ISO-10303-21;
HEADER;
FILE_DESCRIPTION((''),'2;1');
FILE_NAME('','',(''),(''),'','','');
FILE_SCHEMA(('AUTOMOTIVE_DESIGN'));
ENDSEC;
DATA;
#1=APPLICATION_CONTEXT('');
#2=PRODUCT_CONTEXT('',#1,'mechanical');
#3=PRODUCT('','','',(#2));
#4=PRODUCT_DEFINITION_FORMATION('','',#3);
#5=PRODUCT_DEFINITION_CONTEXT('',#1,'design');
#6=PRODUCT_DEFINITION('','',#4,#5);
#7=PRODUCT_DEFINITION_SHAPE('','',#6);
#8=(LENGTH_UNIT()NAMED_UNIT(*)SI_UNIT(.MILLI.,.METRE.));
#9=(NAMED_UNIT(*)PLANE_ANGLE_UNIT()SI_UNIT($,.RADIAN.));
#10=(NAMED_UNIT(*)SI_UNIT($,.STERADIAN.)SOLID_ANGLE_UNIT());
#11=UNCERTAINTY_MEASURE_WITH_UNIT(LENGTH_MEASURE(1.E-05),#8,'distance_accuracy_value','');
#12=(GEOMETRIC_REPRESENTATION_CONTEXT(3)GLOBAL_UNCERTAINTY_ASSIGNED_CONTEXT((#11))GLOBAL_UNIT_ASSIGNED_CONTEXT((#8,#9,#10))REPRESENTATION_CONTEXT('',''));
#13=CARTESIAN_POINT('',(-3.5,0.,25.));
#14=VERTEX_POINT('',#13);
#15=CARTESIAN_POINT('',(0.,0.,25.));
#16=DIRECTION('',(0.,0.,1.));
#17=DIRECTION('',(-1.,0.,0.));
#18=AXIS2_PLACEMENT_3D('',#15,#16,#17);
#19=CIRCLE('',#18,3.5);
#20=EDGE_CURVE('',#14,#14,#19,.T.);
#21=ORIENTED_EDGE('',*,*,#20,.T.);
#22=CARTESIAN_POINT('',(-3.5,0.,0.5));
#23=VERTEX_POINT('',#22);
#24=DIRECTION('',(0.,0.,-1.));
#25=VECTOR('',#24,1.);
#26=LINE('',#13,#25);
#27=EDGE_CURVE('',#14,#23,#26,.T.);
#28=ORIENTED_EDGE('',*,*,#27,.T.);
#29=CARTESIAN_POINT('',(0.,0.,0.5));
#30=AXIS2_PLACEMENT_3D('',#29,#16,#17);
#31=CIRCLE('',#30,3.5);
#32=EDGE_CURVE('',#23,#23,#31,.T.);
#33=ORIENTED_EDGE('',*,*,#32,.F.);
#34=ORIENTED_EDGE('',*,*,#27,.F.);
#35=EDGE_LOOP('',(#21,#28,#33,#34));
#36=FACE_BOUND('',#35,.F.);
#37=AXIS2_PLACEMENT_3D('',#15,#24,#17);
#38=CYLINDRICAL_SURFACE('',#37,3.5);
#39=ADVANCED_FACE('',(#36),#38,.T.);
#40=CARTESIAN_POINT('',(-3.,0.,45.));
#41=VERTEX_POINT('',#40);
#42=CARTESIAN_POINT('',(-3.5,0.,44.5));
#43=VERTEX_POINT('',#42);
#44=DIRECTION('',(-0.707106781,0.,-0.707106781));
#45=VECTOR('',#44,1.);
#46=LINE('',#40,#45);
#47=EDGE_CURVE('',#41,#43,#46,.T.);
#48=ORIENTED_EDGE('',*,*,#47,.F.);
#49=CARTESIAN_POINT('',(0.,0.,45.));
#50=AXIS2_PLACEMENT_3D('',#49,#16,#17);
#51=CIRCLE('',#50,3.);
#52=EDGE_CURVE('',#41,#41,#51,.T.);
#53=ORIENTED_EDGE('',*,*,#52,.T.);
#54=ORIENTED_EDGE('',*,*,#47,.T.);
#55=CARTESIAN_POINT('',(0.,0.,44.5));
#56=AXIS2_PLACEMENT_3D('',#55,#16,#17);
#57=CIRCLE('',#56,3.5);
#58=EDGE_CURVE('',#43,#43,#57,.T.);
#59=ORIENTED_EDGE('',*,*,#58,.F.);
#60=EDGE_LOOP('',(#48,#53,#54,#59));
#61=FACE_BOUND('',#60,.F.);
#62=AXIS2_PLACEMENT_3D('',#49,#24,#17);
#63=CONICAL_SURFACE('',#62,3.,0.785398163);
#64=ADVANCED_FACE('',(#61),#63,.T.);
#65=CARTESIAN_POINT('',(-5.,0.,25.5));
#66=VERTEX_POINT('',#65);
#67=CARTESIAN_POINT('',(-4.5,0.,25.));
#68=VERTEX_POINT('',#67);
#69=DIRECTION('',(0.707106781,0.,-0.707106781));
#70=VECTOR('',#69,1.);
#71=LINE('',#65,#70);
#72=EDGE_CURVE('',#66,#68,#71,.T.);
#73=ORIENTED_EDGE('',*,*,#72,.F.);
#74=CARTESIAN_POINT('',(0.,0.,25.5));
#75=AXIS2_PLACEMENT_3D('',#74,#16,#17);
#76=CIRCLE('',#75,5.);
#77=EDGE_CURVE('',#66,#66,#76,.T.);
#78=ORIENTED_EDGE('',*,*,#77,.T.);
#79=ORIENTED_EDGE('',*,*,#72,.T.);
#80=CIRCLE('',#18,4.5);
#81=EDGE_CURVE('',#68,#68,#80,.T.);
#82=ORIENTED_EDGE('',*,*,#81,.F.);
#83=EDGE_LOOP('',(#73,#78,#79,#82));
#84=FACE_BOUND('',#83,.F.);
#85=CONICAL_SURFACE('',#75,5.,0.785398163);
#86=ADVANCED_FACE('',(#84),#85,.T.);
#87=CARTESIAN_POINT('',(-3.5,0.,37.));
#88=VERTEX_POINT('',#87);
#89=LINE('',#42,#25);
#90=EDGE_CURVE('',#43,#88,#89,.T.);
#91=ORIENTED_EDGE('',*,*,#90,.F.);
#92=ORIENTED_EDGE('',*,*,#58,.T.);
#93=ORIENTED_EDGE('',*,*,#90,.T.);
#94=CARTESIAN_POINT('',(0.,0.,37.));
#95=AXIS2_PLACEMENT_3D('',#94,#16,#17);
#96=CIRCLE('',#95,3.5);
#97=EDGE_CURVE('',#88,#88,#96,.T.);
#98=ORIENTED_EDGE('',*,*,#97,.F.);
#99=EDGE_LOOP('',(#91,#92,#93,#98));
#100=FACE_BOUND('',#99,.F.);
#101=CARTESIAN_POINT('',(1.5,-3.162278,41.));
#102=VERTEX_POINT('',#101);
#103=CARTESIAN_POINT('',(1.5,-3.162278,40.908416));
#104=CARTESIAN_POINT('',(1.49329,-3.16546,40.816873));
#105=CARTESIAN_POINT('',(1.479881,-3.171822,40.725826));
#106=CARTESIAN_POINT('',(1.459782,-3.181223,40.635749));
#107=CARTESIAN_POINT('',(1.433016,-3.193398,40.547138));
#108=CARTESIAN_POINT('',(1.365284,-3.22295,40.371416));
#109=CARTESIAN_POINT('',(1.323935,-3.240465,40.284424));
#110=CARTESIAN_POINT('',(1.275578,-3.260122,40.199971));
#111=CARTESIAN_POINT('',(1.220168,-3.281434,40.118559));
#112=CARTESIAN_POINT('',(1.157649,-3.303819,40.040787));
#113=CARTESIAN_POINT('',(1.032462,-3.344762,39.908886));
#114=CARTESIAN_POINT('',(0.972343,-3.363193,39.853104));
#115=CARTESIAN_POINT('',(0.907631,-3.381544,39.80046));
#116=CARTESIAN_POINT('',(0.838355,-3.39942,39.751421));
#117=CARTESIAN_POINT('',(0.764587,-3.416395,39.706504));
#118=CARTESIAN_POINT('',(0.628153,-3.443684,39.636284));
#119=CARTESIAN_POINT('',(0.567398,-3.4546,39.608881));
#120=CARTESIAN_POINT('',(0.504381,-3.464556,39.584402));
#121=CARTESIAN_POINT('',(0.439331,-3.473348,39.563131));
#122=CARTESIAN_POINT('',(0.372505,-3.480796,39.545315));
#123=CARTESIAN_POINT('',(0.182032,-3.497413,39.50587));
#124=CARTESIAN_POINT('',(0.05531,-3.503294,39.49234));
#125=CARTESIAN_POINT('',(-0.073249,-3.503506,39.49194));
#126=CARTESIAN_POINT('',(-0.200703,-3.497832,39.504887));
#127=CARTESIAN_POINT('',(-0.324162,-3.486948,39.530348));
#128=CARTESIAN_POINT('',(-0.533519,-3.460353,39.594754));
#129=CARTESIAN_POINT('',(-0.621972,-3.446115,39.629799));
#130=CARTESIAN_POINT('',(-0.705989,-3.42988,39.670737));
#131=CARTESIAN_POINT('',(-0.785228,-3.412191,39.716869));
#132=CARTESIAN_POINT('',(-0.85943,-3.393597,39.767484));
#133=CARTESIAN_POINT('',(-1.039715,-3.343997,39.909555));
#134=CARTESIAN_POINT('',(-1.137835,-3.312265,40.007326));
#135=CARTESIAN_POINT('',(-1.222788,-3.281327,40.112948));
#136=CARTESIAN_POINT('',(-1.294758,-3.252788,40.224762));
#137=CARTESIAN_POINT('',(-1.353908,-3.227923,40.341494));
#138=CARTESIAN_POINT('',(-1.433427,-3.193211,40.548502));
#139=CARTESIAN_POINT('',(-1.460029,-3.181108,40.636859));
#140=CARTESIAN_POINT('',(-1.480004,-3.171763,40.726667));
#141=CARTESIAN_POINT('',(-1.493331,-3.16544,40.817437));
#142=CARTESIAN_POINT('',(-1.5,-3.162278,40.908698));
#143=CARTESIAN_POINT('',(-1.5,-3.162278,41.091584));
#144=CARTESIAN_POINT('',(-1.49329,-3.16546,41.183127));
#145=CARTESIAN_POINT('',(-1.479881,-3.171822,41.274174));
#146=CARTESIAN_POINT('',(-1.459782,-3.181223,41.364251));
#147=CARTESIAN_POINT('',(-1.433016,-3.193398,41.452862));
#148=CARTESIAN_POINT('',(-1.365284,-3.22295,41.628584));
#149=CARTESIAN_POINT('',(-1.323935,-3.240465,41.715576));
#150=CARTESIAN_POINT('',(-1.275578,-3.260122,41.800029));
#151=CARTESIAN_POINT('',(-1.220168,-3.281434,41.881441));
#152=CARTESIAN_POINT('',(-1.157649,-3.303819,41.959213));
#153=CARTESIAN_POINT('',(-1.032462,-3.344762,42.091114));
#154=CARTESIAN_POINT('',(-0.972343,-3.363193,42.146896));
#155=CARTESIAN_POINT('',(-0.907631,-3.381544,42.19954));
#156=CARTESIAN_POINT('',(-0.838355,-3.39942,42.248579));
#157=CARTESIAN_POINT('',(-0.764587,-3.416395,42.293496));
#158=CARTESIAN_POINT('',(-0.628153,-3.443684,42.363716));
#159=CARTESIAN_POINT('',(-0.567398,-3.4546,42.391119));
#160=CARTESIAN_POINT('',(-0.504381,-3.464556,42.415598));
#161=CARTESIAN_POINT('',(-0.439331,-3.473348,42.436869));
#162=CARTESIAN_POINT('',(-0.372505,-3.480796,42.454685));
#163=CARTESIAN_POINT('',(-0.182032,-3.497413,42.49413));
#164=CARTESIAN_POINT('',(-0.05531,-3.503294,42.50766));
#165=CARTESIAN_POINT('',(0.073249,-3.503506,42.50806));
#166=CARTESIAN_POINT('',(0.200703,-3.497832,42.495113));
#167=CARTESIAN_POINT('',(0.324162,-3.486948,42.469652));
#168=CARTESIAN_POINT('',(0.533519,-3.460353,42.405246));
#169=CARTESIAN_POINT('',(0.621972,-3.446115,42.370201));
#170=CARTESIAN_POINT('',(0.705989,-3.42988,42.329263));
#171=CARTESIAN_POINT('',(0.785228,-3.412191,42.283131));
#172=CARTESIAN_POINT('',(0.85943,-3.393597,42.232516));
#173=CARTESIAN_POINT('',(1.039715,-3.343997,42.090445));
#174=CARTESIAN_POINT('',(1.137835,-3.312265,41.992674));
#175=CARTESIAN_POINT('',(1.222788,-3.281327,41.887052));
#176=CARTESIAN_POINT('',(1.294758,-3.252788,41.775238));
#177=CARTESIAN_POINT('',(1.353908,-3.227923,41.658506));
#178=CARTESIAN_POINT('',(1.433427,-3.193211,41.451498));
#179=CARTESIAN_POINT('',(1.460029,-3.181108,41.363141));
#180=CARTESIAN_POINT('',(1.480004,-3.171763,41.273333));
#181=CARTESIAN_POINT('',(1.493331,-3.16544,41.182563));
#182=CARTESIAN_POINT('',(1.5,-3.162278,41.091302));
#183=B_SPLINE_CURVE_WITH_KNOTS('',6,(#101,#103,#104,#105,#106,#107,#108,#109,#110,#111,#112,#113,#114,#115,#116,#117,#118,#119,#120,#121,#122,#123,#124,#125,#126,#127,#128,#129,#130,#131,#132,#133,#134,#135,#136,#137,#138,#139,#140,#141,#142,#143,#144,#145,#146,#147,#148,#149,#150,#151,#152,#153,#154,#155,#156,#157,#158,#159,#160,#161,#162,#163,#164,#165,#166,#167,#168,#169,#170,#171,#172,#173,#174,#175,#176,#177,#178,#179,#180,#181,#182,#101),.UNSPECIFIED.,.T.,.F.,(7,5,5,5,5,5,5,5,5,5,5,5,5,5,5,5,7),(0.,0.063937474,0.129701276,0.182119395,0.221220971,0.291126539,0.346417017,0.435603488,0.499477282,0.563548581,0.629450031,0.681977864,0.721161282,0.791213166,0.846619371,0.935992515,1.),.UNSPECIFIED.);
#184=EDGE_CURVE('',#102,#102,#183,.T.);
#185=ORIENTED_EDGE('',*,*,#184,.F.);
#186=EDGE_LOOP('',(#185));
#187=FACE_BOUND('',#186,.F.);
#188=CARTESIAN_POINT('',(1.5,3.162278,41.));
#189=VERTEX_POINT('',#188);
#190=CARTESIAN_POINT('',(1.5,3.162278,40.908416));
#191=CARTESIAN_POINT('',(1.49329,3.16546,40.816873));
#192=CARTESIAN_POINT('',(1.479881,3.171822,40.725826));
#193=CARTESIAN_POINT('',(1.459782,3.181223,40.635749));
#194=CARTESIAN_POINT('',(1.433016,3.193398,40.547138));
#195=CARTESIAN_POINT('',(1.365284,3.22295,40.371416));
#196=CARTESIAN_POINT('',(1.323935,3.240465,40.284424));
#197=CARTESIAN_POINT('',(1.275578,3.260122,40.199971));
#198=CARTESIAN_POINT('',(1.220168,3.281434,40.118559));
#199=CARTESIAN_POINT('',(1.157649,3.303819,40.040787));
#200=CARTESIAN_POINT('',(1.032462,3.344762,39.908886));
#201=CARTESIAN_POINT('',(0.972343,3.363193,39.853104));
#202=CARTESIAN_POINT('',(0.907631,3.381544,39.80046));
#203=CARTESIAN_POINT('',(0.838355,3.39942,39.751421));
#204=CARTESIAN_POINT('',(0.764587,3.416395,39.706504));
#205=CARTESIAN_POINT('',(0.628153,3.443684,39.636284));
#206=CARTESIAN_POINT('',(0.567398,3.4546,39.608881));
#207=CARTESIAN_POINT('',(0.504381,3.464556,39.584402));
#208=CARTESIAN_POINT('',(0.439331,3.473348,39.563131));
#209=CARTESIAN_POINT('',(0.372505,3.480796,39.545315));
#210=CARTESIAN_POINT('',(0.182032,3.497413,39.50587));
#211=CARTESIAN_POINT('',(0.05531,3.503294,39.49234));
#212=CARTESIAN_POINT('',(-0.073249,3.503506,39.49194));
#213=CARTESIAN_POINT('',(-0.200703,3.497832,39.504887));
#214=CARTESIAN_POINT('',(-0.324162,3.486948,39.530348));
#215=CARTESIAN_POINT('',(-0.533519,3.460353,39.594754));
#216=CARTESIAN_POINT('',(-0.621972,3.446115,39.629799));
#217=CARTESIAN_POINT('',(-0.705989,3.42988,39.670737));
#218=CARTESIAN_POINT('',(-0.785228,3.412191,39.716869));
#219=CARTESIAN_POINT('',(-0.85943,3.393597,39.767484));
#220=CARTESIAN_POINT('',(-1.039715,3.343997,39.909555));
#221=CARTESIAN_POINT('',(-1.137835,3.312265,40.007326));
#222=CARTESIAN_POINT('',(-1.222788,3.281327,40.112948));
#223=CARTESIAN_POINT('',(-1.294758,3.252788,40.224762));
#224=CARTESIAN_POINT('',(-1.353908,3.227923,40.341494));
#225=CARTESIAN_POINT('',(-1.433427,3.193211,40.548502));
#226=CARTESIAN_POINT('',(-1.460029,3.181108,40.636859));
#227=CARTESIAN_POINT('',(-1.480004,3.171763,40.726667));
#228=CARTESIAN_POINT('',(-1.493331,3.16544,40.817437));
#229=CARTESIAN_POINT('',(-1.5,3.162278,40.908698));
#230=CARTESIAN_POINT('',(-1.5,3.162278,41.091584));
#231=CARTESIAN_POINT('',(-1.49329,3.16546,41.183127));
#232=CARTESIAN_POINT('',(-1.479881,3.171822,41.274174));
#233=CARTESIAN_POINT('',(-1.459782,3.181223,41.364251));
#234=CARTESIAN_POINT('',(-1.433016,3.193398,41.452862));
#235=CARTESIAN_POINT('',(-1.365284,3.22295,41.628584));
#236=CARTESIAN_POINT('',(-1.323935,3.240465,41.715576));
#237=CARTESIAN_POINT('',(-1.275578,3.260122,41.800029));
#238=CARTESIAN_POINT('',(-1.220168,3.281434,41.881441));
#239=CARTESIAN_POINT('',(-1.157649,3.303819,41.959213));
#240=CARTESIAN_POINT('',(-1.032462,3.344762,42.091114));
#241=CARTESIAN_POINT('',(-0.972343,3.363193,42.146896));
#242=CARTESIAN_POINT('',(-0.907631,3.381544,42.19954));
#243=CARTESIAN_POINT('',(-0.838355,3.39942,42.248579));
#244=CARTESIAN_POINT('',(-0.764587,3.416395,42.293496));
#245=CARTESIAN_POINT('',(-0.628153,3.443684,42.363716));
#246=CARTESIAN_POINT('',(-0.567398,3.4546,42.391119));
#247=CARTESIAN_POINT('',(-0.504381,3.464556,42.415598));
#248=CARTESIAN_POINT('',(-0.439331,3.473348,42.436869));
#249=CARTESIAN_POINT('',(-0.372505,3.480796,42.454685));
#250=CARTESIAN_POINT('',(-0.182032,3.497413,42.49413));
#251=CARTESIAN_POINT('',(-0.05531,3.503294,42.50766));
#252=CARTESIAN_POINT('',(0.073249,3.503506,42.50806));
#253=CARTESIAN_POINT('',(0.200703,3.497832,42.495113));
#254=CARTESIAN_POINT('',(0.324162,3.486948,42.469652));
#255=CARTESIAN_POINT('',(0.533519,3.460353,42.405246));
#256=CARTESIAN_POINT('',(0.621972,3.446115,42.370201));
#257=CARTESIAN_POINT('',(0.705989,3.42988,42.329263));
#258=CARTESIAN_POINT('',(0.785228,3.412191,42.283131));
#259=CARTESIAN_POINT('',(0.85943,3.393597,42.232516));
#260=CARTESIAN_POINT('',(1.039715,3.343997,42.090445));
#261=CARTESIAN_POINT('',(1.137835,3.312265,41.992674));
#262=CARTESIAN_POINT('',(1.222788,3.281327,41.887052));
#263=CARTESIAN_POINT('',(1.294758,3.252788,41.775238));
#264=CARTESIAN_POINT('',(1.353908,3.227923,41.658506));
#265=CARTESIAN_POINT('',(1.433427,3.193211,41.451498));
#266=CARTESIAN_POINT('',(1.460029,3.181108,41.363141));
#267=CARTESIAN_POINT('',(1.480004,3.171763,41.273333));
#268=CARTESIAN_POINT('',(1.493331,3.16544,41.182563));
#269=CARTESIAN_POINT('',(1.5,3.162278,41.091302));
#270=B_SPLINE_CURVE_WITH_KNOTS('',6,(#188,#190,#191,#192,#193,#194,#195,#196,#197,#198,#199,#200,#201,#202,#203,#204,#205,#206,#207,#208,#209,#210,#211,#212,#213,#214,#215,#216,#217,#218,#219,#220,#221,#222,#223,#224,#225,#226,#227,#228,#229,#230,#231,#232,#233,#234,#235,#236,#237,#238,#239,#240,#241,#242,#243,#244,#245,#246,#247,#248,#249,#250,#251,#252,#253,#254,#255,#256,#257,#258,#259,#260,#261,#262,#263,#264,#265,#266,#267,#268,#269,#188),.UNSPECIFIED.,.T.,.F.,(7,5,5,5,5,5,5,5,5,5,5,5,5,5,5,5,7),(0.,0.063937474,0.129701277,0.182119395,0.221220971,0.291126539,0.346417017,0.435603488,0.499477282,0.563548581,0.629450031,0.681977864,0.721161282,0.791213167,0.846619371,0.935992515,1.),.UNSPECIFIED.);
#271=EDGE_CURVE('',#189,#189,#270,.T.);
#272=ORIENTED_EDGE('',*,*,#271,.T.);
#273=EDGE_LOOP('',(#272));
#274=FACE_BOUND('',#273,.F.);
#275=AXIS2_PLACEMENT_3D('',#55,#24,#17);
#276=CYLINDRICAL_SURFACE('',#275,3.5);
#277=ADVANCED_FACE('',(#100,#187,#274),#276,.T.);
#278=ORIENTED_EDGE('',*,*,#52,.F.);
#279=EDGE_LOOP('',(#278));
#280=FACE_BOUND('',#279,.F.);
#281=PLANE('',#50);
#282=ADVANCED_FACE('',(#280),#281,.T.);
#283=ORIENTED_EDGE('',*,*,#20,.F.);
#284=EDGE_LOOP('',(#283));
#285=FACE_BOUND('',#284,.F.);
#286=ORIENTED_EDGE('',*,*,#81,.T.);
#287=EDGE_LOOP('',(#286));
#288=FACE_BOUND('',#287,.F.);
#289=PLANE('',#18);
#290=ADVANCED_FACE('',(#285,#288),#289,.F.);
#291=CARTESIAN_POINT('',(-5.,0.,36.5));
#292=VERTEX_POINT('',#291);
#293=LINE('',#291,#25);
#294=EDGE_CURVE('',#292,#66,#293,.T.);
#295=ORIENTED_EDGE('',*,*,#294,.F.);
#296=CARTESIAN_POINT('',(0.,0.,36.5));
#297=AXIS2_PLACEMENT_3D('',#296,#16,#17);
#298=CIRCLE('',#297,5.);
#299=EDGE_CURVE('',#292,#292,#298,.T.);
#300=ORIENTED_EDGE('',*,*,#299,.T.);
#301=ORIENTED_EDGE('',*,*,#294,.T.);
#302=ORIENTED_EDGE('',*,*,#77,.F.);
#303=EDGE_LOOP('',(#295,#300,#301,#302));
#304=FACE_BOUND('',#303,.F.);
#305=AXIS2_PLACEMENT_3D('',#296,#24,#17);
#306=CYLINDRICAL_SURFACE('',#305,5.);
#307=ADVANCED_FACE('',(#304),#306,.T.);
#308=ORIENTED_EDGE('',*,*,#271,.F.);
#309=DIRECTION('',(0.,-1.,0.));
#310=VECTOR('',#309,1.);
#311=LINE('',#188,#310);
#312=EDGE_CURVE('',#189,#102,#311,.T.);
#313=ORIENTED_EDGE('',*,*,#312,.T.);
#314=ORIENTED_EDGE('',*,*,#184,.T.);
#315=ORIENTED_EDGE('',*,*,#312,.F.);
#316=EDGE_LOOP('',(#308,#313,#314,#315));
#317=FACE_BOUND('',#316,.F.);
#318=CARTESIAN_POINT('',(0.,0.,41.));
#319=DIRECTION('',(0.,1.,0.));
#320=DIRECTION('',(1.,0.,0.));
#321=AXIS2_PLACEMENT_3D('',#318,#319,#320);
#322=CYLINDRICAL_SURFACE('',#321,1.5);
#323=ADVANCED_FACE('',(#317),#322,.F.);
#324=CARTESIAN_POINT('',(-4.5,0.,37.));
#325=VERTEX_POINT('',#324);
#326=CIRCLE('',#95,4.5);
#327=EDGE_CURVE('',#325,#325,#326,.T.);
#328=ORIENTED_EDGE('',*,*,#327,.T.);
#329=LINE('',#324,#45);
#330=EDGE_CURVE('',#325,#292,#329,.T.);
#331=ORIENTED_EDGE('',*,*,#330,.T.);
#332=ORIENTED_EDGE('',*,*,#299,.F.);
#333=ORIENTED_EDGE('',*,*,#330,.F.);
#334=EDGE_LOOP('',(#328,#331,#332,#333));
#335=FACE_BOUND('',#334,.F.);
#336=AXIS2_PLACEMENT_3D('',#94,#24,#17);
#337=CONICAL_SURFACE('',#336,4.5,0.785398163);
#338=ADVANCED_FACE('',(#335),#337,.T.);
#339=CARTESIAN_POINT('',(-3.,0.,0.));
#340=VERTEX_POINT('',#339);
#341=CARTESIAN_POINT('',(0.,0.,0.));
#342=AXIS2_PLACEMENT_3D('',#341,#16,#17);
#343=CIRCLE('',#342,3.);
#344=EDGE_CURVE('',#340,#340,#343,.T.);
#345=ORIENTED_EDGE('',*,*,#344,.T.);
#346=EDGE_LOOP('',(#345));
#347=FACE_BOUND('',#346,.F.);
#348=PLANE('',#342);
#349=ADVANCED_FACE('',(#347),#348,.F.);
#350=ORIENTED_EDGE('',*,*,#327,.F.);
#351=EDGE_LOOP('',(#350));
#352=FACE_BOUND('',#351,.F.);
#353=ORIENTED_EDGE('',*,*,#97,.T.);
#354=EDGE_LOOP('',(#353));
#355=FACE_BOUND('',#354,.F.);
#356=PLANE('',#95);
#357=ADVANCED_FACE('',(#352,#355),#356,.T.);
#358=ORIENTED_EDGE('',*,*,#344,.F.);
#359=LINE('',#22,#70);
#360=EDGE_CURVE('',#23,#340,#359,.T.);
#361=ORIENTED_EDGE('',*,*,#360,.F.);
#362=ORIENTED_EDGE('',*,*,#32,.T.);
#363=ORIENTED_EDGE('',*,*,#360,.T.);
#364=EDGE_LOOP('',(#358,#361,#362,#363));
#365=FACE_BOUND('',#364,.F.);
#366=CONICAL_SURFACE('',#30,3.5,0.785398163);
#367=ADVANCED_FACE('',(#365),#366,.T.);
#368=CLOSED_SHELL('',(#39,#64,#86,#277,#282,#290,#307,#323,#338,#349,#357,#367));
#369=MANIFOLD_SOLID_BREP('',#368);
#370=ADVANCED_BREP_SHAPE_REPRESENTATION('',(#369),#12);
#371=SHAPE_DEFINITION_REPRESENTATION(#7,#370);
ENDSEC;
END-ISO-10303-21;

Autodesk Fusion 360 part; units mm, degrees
sketch "Boceto1" plane through (0, 0, 0) normal (0, 0, 1) x (1, 0, 0)
  line L0 (0, 43) -> (3, 43)
  line L1 (3, 43) -> (3.5, 42.5)
  line L2 (3.5, 42.5) -> (3.5, 35)
  line L3 (3.5, 35) -> (4.5, 35)
  line L4 (4.5, 35) -> (5, 34.5)
  line L5 (5, 34.5) -> (5, 20.5)
  line L6 (5, 20.5) -> (4.5, 20)
  line L7 (4.5, 20) -> (3.5, 20)
  line L8 (3.5, 20) -> (3.5, 0.5)
  line L9 (3.5, 0.5) -> (3, 0)
  line L10 (3, 0) -> (0, 0)
  line L11 (0, 0) -> (0, 43)
  dimension "d2" = 45
  dimension "d3" = 0.5
  dimension "d4" = 0.5
  dimension "d5" = 0.5
  dimension "d6" = 0.5
  dimension "d7" = 3
  dimension "d8" = 8
  dimension "d9" = 15
  dimension "d10" = 43
  dimension "d12" = 5
sketch "Boceto2" plane through (0, 0, 0) normal (0, 1, 0) x (1, 0, 0)
  line L0 (-3, 0) -> (0, 0)
  line L1 (-4.5, -25) -> (-3.5, -25)
  line L2 (-3.5, -44.5) -> (-3.5, -37)
  line L3 (0, -45) -> (-3, -45)
  line L4 (-5, -36.5) -> (-5, -25.5)
  line L5 (-3.5, -37) -> (-4.5, -37)
  line L6 (-4.5, -37) -> (-5, -36.5)
  line L7 (-5, -25.5) -> (-4.5, -25)
  line L8 (0, 0) -> (0, -45)
  line L9 (-3, -45) -> (-3.5, -44.5)
  line L10 (-3.5, -25) -> (-3.5, -0.5)
  line L11 (-3.5, -0.5) -> (-3, 0)
  dimension "d13" = 45
  dimension "d14" = 0.5
  dimension "d18" = 3
  dimension "d19" = 8
  dimension "d20" = 12
  dimension "d21" = 45
  dimension "d22" = 5
  dimension "d28" = 0.5
  dimension "d29" = 0.5
revolve "Revolución1" add sketch "Boceto2" angle 360 about axis through (0, 0, 0) along (0, 0, 1)
sketch "Boceto3" plane through (0, 0, 0) normal (0, 1, 0) x (1, 0, 0)
  circle A0 centre (0, -41) radius 1.5
  line L0 (3, -45) -> (-3, -45)
  dimension "d24" = 4
  dimension "d25" = 3
extrude "Extruir1" cut sketch "Boceto3" along normal mid plane 10
